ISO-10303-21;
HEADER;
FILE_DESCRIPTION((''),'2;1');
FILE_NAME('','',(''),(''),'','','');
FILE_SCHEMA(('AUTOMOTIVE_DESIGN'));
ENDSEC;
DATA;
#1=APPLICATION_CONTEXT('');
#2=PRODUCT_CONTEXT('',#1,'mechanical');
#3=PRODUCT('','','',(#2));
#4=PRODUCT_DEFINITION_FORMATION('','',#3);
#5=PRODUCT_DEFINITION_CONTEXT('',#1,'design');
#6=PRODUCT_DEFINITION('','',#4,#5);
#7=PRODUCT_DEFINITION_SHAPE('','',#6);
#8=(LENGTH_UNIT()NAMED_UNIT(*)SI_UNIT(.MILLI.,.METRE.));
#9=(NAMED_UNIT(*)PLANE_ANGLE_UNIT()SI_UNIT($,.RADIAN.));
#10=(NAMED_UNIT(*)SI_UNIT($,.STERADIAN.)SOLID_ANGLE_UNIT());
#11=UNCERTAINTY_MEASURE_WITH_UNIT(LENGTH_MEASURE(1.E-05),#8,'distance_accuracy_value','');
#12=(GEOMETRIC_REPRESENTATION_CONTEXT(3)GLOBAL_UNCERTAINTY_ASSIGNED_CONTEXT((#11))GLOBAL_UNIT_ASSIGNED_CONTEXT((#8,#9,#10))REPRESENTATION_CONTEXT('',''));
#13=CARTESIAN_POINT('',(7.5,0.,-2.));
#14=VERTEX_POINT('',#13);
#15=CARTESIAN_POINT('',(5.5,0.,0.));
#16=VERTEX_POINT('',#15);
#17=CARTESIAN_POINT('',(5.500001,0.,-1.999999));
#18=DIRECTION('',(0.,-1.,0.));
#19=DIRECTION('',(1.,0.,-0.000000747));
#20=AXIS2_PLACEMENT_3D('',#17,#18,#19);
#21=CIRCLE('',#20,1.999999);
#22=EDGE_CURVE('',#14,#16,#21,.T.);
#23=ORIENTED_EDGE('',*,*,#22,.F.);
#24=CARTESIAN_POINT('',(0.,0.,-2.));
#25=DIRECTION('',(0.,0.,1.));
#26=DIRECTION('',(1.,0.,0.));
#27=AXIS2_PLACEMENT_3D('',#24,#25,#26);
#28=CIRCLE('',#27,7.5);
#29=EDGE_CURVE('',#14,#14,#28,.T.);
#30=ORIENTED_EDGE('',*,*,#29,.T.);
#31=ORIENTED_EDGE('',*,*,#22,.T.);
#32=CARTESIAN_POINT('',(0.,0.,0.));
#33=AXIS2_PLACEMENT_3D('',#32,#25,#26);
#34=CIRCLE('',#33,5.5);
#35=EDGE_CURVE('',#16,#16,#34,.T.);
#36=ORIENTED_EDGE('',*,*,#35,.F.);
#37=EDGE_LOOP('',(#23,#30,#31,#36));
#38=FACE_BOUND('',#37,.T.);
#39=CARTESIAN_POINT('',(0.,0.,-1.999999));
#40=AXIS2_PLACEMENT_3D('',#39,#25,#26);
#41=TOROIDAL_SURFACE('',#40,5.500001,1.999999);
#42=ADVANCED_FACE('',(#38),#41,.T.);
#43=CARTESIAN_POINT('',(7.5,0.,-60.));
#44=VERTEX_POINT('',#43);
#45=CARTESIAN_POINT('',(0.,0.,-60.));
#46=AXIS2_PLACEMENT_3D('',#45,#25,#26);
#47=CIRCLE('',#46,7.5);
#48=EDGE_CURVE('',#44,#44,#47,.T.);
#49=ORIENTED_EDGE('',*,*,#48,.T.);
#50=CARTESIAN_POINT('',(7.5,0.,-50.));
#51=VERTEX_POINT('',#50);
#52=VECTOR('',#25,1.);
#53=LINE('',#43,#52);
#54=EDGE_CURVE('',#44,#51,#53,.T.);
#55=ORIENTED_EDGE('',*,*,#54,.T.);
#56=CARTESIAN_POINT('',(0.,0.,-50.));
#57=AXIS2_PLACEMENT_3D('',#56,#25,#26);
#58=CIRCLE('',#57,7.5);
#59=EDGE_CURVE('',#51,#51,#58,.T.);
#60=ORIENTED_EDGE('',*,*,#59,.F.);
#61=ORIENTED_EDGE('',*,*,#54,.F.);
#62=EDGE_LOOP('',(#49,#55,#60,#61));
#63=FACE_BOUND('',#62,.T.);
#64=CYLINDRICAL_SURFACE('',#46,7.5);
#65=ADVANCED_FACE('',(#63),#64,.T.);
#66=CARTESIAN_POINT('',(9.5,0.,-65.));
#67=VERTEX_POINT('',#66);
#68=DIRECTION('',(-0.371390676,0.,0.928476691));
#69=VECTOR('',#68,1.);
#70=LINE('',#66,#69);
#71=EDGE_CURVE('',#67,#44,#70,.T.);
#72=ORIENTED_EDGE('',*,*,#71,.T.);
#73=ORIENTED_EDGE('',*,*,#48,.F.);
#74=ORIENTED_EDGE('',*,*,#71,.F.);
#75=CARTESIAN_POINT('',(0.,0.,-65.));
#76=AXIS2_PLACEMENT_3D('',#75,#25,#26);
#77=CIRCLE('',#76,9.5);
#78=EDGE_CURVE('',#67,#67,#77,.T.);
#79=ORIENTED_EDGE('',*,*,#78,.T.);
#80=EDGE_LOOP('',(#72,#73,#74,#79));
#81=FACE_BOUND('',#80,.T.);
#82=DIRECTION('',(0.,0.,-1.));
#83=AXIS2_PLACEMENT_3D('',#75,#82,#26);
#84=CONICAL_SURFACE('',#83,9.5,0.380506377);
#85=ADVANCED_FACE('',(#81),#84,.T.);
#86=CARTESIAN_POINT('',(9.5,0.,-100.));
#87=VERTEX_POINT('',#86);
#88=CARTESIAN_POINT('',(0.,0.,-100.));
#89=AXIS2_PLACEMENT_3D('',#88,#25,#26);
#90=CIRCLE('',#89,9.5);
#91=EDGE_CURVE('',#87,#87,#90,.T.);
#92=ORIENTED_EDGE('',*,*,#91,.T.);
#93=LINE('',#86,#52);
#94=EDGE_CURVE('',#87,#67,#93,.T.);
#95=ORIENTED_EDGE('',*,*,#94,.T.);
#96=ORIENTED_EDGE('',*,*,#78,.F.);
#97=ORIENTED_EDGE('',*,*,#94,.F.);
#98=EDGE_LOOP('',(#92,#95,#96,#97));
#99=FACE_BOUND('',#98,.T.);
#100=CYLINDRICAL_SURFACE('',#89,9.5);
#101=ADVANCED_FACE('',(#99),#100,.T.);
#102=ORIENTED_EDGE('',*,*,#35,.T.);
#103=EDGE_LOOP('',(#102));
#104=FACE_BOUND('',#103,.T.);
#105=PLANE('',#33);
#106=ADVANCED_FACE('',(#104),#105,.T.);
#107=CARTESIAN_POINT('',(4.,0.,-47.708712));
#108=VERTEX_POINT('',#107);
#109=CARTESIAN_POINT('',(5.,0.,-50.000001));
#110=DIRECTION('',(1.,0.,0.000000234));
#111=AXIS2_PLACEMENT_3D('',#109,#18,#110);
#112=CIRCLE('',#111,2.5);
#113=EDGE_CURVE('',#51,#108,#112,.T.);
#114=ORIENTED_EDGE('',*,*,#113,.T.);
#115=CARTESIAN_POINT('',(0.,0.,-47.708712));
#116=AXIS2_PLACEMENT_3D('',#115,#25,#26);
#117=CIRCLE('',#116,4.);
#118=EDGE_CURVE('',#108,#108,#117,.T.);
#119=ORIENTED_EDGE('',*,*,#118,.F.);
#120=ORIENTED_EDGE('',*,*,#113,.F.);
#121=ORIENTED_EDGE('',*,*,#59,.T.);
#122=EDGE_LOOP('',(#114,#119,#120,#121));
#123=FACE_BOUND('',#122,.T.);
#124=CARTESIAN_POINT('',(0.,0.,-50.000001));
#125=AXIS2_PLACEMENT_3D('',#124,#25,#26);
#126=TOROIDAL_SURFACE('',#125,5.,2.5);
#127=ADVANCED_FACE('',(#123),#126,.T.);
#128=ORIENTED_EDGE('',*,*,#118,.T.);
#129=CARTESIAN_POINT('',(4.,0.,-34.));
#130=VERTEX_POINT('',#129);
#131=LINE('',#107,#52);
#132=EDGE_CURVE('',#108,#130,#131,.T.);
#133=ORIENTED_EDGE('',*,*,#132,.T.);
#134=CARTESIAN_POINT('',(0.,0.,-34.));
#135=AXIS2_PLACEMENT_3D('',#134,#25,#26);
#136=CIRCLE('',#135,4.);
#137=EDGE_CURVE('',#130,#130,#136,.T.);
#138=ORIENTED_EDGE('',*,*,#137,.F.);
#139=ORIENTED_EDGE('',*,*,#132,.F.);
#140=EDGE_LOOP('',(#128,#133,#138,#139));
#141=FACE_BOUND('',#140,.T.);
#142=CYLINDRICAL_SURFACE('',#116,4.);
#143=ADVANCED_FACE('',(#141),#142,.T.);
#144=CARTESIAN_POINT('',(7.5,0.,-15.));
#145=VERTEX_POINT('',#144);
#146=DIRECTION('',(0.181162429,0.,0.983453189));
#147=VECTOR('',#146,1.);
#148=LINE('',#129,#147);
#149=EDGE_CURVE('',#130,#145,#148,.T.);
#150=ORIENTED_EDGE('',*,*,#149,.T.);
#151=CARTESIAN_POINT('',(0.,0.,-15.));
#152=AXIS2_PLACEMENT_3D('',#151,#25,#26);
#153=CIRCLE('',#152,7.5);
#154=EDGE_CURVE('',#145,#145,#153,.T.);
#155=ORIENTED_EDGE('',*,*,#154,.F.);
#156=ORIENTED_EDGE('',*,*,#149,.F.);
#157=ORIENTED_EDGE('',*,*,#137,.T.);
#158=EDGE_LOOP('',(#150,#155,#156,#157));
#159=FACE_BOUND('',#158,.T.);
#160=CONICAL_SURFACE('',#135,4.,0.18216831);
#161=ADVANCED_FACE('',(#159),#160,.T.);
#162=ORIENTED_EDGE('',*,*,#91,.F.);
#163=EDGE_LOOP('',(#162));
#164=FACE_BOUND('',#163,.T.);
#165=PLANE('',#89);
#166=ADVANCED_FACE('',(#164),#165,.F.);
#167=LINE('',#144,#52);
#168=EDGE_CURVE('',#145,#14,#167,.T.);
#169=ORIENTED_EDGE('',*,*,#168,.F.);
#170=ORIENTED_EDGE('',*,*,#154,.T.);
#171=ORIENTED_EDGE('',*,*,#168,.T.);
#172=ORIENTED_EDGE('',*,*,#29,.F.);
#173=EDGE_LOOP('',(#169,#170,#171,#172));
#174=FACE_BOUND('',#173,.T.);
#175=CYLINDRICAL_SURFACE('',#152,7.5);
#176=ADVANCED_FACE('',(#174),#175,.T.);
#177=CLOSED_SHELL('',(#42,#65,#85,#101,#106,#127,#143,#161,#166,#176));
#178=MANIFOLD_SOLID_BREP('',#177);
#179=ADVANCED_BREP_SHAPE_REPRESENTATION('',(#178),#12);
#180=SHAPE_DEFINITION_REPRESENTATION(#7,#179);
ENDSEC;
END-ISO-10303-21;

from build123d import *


with BuildPart() as f1:
    # F0 (on Front) → F1 (revolve)
    with BuildSketch(Plane.XZ):
        with BuildLine():
            Line((5.5, 0), (0, 0))
            Line((0, 0), (0, -100))
            Line((0, -100), (9.5, -100))
            Line((9.5, -100), (9.5, -65))
            Line((9.5, -65), (7.5, -60))
            Line((7.5, -60), (7.5, -50))
            ThreePointArc((7.5, -50), (6.369306, -47.90835), (4, -47.708712))
            Line((4, -47.708712), (4, -34))
            Line((4, -34), (7.5, -15))
            Line((7.5, -15), (7.5, -2))
            ThreePointArc((7.5, -2), (6.914214, -0.585786), (5.5, 0))
        make_face()
    revolve(axis=Axis((0, 0, -50), (0, 0, 1)))


solid = f1.part
